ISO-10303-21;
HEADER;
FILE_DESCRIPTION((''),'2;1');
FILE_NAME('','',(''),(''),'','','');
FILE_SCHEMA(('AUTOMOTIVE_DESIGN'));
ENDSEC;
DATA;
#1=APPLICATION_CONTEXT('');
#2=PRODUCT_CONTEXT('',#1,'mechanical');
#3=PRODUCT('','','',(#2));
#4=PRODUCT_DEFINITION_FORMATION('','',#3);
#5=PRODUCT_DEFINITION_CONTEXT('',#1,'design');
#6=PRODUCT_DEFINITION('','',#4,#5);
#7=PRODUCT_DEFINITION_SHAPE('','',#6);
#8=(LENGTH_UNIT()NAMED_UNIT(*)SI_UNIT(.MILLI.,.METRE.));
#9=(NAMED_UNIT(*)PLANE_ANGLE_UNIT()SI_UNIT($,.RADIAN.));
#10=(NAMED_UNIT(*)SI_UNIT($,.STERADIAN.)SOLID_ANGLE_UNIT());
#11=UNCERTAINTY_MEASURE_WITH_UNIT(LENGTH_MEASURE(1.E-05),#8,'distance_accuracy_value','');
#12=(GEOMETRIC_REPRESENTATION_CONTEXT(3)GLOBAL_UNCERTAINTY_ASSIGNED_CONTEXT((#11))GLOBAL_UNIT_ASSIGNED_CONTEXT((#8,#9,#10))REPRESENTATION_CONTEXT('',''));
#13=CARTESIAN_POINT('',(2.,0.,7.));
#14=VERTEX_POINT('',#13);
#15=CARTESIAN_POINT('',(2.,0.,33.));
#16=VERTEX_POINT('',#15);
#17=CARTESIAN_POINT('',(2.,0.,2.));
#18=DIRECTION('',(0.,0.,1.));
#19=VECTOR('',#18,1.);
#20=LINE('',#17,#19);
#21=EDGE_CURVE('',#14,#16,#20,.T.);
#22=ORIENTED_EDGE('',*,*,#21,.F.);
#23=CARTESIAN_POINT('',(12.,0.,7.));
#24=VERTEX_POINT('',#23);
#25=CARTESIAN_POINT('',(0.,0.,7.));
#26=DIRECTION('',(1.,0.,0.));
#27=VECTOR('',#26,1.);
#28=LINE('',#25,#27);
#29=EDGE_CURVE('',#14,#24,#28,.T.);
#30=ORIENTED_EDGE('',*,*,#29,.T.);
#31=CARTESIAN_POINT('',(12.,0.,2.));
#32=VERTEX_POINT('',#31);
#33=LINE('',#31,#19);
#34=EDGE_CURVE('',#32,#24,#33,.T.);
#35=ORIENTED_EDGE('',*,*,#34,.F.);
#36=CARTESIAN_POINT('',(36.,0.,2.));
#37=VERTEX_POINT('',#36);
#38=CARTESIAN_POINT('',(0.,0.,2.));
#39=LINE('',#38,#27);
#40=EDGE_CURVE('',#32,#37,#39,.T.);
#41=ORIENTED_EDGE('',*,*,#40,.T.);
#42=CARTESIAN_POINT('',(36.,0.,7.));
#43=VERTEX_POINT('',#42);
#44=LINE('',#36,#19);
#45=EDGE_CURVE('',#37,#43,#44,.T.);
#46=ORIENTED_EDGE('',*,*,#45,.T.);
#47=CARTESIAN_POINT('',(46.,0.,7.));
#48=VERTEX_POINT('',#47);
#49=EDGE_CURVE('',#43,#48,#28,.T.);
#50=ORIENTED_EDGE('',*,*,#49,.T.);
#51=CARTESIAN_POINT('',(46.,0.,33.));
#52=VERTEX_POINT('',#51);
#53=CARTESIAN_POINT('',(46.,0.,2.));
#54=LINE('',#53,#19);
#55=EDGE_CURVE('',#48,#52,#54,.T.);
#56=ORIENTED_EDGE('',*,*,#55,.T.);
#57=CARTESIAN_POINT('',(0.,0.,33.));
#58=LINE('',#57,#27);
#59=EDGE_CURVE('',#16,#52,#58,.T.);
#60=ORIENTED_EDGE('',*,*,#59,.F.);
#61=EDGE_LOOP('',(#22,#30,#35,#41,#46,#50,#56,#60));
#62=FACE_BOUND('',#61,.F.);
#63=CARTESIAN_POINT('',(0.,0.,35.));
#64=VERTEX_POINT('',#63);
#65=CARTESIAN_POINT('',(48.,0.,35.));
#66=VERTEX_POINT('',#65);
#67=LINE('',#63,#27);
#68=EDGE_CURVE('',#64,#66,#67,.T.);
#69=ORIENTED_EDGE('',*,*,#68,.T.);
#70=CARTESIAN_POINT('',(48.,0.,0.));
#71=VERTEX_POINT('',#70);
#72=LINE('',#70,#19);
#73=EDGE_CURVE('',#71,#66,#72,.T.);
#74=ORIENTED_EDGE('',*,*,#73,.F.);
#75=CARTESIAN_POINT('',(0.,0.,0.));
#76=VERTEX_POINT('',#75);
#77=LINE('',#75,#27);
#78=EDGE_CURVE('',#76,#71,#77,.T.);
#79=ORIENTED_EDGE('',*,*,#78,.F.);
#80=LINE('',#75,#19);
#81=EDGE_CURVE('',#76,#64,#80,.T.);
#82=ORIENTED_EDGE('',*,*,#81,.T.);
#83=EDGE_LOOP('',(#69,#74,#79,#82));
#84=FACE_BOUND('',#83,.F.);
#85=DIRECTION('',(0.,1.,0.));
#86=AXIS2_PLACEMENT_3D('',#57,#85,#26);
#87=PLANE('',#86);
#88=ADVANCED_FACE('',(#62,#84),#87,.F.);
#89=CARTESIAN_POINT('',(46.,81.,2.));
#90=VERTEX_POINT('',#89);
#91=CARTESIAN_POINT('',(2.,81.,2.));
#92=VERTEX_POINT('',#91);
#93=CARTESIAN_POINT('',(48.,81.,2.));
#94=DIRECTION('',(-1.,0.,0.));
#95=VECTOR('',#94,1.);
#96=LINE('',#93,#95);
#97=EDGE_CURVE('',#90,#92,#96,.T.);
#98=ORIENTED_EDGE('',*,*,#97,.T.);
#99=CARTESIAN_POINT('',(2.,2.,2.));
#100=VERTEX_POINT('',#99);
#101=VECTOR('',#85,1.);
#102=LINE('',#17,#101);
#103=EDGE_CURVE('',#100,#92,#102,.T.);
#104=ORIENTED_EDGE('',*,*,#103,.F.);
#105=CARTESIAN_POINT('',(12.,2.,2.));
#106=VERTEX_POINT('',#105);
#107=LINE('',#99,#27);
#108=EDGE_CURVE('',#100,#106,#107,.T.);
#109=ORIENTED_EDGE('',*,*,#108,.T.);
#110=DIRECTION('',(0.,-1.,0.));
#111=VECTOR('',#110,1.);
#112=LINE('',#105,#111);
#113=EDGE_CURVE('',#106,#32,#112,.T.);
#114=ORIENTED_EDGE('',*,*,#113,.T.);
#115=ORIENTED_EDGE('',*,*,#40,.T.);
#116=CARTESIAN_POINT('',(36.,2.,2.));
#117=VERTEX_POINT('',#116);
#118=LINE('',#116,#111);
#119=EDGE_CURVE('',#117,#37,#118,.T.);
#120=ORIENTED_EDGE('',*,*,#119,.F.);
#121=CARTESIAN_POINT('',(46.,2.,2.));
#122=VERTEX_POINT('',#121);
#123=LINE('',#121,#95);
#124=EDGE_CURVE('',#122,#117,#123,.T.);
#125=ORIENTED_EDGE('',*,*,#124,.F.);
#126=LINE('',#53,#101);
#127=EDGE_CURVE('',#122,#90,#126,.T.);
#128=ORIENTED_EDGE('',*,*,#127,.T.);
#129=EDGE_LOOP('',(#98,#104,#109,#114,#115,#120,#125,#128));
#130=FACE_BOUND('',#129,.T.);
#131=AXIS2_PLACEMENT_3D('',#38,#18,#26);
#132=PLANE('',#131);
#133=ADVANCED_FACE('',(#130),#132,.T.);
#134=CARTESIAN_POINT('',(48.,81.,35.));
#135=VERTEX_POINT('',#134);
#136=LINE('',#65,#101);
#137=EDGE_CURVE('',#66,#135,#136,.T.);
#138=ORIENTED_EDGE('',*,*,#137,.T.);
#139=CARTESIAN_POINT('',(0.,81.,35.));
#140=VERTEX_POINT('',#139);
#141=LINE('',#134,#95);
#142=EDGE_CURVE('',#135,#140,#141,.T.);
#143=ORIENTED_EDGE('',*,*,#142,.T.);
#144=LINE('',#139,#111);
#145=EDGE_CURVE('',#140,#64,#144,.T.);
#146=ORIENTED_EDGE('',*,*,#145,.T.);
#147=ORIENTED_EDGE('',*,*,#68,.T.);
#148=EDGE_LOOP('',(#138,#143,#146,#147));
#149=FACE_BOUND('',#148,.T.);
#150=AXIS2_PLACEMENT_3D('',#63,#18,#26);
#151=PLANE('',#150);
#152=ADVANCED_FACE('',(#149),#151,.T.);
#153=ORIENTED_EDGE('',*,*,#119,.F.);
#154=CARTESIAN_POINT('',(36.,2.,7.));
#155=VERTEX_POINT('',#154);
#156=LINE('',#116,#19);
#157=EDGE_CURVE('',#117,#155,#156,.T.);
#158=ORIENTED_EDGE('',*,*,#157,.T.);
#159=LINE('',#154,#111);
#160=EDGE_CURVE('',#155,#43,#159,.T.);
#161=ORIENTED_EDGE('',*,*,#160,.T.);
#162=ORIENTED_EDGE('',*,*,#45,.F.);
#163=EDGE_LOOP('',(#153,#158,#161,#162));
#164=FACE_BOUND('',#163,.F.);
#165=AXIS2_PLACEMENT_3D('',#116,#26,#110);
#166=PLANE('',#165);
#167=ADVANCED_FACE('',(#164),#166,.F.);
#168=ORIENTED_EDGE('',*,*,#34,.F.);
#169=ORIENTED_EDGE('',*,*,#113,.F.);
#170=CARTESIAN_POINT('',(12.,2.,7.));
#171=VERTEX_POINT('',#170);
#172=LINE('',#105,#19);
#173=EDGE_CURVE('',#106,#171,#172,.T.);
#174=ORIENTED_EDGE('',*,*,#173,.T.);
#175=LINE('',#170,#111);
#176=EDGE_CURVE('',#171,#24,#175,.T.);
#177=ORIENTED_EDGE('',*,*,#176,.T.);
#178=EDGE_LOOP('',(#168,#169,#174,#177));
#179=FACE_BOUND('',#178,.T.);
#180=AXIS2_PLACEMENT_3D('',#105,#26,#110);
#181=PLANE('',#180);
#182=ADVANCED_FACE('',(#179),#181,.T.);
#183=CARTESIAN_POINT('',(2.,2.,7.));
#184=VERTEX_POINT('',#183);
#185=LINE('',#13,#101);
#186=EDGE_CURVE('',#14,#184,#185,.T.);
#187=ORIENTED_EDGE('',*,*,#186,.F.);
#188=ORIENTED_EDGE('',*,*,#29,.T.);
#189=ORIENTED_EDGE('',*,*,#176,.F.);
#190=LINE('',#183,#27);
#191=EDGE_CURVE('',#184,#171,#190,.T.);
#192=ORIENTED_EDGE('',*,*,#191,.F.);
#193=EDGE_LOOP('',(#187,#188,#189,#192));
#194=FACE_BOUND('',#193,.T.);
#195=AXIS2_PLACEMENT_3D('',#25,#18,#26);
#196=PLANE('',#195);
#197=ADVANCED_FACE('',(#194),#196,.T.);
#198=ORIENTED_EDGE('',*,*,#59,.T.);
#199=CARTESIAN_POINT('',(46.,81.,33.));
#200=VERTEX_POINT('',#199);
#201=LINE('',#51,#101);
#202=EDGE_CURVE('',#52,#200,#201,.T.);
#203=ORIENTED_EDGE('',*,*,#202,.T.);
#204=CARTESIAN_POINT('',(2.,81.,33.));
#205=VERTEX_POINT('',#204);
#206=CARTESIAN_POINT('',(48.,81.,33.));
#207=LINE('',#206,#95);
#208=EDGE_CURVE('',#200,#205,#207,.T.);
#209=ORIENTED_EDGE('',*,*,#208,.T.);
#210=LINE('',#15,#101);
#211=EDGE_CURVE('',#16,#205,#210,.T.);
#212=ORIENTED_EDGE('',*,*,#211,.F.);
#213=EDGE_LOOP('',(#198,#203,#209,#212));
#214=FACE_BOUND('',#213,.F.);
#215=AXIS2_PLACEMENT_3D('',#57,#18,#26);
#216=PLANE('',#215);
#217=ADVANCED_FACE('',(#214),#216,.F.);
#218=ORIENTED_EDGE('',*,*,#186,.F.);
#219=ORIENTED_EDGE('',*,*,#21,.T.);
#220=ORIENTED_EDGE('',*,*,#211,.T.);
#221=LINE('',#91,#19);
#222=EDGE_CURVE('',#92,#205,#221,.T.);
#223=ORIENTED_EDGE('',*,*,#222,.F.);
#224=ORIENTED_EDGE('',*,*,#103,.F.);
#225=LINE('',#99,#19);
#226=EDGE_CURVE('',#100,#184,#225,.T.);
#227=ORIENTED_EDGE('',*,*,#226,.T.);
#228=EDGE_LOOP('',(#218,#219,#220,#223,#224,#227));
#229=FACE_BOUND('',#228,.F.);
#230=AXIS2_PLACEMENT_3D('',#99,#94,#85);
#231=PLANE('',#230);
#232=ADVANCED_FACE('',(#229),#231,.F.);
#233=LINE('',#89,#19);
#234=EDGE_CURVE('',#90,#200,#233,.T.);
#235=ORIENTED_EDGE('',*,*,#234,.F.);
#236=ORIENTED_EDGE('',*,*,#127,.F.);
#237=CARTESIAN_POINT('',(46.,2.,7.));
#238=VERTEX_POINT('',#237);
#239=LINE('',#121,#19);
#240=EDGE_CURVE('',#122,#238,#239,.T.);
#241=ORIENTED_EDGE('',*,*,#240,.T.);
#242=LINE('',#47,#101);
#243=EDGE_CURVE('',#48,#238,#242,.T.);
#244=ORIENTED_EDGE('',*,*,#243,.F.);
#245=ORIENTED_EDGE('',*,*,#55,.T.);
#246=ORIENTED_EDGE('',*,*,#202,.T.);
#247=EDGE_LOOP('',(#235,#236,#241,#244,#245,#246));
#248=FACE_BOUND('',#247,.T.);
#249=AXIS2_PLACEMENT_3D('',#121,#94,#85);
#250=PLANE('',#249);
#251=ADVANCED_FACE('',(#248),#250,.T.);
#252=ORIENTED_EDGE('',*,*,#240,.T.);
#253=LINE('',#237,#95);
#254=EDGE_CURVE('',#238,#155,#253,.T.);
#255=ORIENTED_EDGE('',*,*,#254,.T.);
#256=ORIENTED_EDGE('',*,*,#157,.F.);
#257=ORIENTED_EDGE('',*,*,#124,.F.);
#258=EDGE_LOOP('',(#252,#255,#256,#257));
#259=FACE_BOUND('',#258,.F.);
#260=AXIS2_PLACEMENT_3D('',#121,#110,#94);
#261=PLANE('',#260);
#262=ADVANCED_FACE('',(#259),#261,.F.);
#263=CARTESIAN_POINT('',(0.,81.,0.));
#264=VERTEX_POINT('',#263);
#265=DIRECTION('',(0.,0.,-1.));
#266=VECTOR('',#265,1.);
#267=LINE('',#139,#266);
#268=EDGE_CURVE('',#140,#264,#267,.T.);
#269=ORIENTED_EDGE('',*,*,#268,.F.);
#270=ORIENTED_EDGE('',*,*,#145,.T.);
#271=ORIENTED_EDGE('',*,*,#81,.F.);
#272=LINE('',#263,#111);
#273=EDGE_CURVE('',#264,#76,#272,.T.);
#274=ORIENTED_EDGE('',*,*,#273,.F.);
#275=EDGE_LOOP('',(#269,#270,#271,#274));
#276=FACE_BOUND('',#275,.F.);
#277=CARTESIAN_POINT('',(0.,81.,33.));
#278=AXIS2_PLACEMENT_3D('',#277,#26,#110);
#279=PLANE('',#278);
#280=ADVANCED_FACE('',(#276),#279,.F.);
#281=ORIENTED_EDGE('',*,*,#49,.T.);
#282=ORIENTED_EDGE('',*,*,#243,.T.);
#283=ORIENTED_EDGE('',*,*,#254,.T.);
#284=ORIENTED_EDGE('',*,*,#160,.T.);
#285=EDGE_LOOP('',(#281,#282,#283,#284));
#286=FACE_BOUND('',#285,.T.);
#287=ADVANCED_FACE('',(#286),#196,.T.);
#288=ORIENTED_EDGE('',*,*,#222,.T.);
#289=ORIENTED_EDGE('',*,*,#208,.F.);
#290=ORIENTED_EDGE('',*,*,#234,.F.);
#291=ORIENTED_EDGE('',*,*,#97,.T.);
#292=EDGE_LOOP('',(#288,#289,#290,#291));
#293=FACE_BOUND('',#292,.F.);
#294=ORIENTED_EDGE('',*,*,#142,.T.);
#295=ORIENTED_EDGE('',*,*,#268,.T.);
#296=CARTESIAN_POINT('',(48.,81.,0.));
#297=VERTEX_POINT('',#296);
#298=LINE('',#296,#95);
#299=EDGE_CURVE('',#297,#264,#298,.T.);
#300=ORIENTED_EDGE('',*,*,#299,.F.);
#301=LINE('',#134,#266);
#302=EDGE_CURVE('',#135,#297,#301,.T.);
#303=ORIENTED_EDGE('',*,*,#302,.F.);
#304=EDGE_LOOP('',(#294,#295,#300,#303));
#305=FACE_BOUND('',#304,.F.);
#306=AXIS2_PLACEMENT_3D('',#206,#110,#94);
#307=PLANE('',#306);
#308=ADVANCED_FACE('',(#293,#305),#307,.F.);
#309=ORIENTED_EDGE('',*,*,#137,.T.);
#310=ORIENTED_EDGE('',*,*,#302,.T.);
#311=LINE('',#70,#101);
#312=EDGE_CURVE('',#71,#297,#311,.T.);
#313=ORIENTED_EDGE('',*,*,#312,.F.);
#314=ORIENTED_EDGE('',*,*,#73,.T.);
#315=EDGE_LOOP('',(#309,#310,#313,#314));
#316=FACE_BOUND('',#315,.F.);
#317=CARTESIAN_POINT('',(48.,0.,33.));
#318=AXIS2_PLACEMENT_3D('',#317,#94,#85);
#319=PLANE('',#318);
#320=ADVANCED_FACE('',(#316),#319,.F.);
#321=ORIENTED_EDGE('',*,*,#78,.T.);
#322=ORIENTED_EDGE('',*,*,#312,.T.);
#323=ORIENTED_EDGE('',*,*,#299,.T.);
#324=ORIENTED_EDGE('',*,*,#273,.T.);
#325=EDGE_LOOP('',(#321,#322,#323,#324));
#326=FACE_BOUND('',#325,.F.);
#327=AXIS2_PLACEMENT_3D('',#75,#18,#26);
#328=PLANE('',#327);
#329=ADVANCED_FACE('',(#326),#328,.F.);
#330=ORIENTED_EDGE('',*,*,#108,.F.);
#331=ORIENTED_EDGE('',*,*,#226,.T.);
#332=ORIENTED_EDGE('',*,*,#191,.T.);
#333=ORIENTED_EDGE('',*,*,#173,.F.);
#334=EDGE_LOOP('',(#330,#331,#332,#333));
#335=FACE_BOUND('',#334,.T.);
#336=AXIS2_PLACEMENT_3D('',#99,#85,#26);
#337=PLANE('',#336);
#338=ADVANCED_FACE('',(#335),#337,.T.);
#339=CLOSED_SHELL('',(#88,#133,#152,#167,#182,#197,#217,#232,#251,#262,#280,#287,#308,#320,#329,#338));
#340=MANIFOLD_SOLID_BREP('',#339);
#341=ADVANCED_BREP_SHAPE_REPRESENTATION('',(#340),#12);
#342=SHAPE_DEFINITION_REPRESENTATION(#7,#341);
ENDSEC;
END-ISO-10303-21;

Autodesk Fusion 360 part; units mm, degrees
sketch "Szkic1" plane through (0, 0, 0) normal (0, 0, 1) x (1, 0, 0)
  line L0 (0, 0) -> (48, 0)
  line L1 (48, 0) -> (48, 81)
  line L2 (48, 81) -> (0, 81)
  line L3 (0, 81) -> (0, 0)
  dimension "d1" = 48
  dimension "d2" = 81
extrude "Wyciągnięcie proste1" add sketch "Szkic1" along normal blind 2 makes body 1
ref_plane "Płaszczyzna konstrukcyjna1" through (0, 0, 2) normal (0, 0, 1) x (1, 0, 0)
sketch "Szkic2" plane through (0, 0, 2) normal (0, 0, 1) x (1, 0, 0)
  line L0 (0, 2) -> (2, 2) construction
  line L1 (0, 0) -> (48, 0)
  line L2 (48, 0) -> (48, 81)
  line L3 (48, 81) -> (0, 81)
  line L4 (0, 81) -> (0, 0)
  line L5 (2, 2) -> (12, 2)
  line L6 (12, 2) -> (12, 0)
  line L7 (12, 0) -> (2, 0)
  line L8 (2, 0) -> (2, 2)
  line L9 (46, 2) -> (36, 2)
  line L10 (36, 2) -> (36, 0)
  line L11 (36, 0) -> (46, 0)
  line L12 (46, 0) -> (46, 2)
  line L13 (0, 0) -> (2, 0)
  line L14 (2, 0) -> (2, 81)
  line L15 (2, 81) -> (0, 81)
  line L16 (0, 81) -> (0, 0)
  line L17 (48, 0) -> (46, 0)
  line L18 (46, 0) -> (46, 81)
  line L19 (46, 81) -> (48, 81)
  line L20 (48, 81) -> (48, 0)
  dimension "d8" = 44
  dimension "d10" = 48
  dimension "d11" = 81
  dimension "d12" = 10
  dimension "d13" = 2
  dimension "d16" = 10
  dimension "d19" = 81
  dimension "d22" = 81
extrude "Wyciągnięcie proste2" add sketch "Szkic2" along normal blind 5 contours L1 L5 L6 L7 L8 L14 bodies 1
extrude "Wyciągnięcie proste3" add sketch "Szkic2" along normal blind 5 contours L1 L9 L10 L11 L12 L18 bodies 1
extrude "Wyciągnięcie proste4" add sketch "Szkic2" along normal blind 31 contours L1 L3 L4 L8 L13 L14 L15 L16 bodies 1
extrude "Wyciągnięcie proste5" add sketch "Szkic2" along normal blind 31 contours L1 L2 L3 L12 L17 L18 L19 L20 bodies 1
ref_plane "Płaszczyzna konstrukcyjna2" through (0, 0, 33) normal (0, 0, 1) x (1, 0, 0)
sketch "Szkic3" plane through (0, 0, 33) normal (0, 0, 1) x (1, 0, 0)
  line L0 (0, 0) -> (48, 0)
  line L1 (48, 0) -> (48, 81)
  line L2 (48, 81) -> (0, 81)
  line L3 (0, 81) -> (0, 0)
  dimension "d26" = 48
  dimension "d27" = 81
extrude "Wyciągnięcie proste6" add sketch "Szkic3" along normal blind 2 bodies 1
copy_body "Bryła->Komponent1" bodies 1 removing the originals makes body 2 in component "Component"
component "Component" placed x (1, 0, 0) y (0, 1, 0) z (0, 0, 1) at (0, 0, 0)
